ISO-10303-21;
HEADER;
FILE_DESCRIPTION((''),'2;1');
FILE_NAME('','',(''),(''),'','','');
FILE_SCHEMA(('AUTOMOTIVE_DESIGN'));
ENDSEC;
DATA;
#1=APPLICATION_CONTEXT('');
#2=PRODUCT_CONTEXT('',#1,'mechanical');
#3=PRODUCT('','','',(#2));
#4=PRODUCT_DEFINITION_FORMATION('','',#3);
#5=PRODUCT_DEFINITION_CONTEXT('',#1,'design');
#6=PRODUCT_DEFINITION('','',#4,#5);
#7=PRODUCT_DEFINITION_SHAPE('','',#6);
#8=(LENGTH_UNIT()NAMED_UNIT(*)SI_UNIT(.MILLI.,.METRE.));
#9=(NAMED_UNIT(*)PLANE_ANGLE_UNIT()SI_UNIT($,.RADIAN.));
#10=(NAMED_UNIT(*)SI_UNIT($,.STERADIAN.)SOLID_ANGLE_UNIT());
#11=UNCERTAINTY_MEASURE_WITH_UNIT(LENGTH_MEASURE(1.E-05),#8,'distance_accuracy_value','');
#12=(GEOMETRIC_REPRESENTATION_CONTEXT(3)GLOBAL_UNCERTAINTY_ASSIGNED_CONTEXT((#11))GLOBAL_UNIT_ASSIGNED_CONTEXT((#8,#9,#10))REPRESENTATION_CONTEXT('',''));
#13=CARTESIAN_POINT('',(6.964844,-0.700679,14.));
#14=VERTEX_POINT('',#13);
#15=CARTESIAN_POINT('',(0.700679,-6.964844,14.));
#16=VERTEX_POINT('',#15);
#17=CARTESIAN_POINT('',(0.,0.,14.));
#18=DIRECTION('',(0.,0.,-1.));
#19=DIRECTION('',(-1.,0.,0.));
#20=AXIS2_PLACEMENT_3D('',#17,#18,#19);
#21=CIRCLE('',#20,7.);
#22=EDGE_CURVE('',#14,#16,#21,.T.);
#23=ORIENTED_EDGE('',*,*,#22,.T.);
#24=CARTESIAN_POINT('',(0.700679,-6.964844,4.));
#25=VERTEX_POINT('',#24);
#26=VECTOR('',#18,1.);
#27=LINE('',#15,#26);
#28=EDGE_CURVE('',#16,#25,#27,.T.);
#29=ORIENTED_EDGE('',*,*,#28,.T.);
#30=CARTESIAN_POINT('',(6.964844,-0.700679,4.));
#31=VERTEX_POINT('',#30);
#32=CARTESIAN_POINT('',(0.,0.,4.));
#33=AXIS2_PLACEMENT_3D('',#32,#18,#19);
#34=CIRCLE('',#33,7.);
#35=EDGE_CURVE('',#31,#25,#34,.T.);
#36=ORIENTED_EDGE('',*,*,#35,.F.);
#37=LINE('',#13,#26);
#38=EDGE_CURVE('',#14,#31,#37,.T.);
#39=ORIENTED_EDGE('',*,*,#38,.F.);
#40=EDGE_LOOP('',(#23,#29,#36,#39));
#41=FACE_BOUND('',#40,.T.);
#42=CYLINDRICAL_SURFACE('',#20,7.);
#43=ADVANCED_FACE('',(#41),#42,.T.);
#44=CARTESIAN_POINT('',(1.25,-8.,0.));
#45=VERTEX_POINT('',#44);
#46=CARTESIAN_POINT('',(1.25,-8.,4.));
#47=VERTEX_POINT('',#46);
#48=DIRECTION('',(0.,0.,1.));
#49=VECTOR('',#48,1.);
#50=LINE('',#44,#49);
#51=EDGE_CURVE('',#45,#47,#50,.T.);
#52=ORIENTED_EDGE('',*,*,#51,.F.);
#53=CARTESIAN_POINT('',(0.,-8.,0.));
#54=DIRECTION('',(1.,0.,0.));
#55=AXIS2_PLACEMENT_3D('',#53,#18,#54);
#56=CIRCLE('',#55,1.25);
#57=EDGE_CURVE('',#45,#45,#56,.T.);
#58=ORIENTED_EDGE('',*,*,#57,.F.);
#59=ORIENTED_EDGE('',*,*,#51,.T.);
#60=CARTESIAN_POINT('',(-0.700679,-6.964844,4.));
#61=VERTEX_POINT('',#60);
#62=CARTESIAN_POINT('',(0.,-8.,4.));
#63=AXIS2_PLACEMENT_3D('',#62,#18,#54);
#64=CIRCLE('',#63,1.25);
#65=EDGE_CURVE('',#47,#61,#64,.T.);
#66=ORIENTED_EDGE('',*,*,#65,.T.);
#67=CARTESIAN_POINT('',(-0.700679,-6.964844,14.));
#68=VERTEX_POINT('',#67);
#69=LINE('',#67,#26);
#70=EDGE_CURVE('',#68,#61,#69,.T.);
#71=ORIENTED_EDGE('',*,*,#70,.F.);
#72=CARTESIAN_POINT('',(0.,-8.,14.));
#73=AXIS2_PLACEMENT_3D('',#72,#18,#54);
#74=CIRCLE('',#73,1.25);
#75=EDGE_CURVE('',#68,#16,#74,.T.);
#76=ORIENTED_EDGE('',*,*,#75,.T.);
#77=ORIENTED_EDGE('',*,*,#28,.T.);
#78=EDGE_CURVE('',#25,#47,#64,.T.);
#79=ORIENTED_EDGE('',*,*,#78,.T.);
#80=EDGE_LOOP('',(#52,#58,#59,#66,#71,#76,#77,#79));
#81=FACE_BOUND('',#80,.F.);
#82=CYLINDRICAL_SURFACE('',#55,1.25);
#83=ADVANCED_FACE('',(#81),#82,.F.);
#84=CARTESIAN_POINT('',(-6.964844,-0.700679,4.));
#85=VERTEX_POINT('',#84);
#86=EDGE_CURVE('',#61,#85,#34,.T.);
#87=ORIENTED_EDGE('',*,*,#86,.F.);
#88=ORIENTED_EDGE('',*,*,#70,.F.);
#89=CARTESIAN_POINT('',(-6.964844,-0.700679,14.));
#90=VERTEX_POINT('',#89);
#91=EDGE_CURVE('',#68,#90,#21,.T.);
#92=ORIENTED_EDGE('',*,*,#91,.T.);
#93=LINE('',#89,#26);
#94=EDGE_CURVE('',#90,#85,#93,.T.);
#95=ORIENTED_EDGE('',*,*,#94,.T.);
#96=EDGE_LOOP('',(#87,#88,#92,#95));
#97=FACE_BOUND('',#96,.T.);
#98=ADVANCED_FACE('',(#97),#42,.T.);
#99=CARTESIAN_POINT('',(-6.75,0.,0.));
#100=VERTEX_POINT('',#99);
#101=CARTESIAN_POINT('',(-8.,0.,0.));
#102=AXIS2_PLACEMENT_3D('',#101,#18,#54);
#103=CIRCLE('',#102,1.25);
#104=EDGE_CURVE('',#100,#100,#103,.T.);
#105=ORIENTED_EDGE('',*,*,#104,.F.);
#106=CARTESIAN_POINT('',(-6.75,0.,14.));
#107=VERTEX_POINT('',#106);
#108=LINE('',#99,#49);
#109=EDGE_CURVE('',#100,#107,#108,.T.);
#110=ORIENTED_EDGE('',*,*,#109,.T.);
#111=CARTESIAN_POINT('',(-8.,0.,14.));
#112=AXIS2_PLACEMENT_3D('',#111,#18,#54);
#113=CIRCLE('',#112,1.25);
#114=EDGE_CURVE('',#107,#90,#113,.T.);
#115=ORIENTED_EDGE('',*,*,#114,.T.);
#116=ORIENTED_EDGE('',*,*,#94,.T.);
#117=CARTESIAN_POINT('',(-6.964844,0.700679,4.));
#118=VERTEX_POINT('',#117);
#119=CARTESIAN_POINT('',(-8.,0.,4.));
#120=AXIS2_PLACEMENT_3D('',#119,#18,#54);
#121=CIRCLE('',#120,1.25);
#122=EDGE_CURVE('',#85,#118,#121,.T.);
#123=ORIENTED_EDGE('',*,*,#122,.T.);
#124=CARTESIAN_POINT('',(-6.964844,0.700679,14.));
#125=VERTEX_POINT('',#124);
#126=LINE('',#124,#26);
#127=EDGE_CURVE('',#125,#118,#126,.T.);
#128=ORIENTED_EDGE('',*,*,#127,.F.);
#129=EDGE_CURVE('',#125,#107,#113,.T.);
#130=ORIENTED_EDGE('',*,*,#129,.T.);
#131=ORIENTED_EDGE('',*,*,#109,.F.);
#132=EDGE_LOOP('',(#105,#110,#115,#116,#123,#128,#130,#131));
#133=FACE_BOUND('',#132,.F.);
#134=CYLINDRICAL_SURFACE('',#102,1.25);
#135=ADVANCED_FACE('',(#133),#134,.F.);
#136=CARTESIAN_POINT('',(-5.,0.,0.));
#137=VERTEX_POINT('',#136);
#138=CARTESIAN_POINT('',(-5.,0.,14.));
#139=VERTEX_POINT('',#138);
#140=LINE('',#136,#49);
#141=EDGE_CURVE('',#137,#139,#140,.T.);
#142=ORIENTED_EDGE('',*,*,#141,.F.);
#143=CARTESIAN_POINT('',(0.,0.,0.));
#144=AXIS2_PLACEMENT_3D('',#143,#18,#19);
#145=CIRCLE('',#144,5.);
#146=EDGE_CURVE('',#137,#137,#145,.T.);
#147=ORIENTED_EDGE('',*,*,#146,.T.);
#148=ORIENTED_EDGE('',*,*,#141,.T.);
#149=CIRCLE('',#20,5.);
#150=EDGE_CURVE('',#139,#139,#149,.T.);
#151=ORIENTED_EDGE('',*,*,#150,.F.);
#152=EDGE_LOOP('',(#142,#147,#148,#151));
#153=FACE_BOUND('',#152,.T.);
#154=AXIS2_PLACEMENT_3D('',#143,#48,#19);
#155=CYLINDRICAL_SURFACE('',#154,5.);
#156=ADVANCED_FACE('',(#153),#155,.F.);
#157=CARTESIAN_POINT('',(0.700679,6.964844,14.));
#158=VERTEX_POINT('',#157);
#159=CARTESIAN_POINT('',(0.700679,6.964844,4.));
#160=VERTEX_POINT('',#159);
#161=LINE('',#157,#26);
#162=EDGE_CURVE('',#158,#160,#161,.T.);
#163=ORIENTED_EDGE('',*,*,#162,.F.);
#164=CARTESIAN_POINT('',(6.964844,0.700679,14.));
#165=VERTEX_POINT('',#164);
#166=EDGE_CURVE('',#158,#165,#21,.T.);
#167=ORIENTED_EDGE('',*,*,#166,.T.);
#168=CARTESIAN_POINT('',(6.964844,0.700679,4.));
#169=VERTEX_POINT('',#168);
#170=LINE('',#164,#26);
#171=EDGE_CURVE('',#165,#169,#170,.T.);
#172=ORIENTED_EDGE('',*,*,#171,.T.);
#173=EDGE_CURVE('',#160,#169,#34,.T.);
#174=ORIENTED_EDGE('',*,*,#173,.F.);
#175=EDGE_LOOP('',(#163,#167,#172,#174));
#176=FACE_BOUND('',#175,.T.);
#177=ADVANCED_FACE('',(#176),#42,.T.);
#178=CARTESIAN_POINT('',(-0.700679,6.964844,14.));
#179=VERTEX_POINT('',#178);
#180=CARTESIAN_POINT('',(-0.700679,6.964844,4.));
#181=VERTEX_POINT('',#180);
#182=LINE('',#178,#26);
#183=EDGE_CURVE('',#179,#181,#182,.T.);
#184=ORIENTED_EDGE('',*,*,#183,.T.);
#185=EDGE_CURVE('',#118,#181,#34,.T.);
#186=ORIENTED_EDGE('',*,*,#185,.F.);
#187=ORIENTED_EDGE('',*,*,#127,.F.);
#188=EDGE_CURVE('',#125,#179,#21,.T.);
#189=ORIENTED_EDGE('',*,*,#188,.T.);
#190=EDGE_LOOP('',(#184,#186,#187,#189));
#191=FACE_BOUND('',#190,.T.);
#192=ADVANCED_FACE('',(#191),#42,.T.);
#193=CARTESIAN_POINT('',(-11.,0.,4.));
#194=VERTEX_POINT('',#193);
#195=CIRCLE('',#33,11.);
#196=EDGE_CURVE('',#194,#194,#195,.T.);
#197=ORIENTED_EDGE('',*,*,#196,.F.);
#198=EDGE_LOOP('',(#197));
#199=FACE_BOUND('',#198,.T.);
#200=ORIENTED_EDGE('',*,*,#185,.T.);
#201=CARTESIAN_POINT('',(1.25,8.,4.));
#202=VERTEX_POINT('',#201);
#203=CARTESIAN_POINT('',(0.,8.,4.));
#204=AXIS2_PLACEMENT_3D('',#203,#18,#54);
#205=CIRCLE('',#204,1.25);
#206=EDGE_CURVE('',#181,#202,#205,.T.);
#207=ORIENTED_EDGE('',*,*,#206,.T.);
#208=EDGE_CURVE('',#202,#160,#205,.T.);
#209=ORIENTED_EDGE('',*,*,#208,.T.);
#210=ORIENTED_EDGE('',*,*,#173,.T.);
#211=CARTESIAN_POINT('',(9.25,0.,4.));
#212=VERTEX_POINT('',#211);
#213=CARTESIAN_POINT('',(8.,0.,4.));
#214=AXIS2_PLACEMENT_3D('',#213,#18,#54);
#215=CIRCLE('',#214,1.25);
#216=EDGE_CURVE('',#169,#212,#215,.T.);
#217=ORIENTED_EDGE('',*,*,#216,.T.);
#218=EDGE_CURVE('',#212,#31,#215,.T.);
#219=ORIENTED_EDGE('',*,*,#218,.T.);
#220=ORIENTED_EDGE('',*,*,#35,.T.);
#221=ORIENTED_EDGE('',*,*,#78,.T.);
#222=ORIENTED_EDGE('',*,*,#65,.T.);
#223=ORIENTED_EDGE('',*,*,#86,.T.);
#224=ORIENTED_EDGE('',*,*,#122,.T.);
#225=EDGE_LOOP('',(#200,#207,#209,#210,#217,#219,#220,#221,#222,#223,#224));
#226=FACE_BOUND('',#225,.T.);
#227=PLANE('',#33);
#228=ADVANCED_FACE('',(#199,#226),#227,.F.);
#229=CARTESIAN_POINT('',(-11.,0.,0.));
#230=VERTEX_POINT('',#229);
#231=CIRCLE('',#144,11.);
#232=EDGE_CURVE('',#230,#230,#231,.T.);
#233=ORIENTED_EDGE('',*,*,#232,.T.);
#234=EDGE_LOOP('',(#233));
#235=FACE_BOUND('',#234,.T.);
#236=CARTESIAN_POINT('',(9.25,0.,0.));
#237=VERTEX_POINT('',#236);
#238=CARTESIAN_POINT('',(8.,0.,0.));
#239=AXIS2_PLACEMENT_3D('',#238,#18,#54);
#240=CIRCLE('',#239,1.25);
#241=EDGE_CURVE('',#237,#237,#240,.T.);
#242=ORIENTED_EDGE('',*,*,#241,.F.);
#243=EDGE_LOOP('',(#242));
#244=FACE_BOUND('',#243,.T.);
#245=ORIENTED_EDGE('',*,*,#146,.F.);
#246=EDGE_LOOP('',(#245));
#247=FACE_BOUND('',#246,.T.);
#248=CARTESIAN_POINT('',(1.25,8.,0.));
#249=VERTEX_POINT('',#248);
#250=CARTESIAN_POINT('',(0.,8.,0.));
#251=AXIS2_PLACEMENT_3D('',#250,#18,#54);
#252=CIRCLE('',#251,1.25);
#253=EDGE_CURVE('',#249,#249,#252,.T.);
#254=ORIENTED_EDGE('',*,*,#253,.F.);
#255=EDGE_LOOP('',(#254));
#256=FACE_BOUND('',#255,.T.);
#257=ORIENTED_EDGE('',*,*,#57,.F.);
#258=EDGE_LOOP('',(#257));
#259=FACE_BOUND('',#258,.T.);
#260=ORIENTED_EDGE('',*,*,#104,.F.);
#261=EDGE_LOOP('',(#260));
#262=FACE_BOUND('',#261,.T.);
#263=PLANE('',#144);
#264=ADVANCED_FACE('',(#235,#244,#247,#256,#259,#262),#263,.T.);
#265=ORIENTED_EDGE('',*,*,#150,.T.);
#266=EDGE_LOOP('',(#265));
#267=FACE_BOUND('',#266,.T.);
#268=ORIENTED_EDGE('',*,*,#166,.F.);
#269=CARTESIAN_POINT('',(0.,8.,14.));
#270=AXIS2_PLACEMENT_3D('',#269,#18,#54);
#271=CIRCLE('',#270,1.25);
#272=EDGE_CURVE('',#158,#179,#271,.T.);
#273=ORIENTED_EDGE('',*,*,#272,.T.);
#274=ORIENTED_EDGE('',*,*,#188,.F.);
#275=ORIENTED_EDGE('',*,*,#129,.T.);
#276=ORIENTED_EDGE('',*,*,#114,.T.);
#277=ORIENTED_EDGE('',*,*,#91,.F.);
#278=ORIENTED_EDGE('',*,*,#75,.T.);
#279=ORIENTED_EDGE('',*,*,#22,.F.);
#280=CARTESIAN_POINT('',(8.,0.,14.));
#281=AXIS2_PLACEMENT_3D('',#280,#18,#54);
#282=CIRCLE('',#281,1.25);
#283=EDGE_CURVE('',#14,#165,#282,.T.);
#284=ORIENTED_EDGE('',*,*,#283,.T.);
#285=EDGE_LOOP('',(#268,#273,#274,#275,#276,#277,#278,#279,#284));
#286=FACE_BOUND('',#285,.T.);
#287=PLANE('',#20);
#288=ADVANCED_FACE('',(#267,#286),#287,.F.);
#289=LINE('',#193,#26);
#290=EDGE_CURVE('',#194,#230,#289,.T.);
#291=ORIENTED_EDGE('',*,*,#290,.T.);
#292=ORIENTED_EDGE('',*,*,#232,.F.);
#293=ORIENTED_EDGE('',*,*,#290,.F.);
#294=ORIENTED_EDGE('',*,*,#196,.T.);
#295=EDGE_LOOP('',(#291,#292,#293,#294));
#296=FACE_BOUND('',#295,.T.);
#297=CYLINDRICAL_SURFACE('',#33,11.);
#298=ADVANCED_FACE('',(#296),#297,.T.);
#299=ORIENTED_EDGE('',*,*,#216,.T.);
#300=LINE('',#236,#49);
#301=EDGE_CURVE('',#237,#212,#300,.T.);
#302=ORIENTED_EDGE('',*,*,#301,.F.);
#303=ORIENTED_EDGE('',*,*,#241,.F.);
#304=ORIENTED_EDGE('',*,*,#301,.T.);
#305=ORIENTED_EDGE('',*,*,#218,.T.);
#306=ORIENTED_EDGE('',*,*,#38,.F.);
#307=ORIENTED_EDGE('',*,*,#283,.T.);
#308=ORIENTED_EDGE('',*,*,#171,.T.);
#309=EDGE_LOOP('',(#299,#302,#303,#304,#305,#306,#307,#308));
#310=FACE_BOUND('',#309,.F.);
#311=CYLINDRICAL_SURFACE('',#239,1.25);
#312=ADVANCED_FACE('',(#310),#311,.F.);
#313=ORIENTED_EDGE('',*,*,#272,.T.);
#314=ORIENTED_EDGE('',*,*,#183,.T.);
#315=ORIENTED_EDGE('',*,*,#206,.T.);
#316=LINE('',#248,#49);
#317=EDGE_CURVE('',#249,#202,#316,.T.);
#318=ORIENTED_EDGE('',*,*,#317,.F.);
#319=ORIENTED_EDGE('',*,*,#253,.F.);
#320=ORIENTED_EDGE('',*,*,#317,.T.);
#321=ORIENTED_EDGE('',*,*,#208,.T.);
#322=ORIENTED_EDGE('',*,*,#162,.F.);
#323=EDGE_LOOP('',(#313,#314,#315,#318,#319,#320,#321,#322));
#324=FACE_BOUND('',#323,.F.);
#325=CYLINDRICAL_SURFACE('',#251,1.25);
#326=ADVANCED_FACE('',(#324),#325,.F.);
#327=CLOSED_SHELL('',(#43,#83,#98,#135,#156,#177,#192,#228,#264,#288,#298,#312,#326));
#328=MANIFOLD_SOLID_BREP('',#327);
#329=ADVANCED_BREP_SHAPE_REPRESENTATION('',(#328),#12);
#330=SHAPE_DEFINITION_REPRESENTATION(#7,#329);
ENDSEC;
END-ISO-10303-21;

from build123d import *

# Parameters (mm, degrees)
F2_R     = 1.25
F3_DEPTH = 14


with BuildPart() as f1:
    # F0 (on Front) → F1 (revolve)
    with BuildSketch(Plane.XZ):
        Polygon((-5, 0), (-5, 14), (-7, 14), (-7, 4), (-11, 4), (-11, 0), align=None)
    revolve(axis=Axis((0, 0, -1.594857), (0, 0, -1)))

    # F2 (on face) → F3 (cut)
    with BuildSketch(Plane(origin=(0, 0, 0), x_dir=(1, 0, 0), z_dir=(0, 0, -1))):
        with Locations((0, 8)):
            Circle(F2_R)
        with Locations((-8, 0)):
            Circle(F2_R)
        with Locations((8, 0)):
            Circle(F2_R)
        with Locations((0, -8)):
            Circle(F2_R)
    extrude(amount=-F3_DEPTH, mode=Mode.SUBTRACT)


solid = f1.part
